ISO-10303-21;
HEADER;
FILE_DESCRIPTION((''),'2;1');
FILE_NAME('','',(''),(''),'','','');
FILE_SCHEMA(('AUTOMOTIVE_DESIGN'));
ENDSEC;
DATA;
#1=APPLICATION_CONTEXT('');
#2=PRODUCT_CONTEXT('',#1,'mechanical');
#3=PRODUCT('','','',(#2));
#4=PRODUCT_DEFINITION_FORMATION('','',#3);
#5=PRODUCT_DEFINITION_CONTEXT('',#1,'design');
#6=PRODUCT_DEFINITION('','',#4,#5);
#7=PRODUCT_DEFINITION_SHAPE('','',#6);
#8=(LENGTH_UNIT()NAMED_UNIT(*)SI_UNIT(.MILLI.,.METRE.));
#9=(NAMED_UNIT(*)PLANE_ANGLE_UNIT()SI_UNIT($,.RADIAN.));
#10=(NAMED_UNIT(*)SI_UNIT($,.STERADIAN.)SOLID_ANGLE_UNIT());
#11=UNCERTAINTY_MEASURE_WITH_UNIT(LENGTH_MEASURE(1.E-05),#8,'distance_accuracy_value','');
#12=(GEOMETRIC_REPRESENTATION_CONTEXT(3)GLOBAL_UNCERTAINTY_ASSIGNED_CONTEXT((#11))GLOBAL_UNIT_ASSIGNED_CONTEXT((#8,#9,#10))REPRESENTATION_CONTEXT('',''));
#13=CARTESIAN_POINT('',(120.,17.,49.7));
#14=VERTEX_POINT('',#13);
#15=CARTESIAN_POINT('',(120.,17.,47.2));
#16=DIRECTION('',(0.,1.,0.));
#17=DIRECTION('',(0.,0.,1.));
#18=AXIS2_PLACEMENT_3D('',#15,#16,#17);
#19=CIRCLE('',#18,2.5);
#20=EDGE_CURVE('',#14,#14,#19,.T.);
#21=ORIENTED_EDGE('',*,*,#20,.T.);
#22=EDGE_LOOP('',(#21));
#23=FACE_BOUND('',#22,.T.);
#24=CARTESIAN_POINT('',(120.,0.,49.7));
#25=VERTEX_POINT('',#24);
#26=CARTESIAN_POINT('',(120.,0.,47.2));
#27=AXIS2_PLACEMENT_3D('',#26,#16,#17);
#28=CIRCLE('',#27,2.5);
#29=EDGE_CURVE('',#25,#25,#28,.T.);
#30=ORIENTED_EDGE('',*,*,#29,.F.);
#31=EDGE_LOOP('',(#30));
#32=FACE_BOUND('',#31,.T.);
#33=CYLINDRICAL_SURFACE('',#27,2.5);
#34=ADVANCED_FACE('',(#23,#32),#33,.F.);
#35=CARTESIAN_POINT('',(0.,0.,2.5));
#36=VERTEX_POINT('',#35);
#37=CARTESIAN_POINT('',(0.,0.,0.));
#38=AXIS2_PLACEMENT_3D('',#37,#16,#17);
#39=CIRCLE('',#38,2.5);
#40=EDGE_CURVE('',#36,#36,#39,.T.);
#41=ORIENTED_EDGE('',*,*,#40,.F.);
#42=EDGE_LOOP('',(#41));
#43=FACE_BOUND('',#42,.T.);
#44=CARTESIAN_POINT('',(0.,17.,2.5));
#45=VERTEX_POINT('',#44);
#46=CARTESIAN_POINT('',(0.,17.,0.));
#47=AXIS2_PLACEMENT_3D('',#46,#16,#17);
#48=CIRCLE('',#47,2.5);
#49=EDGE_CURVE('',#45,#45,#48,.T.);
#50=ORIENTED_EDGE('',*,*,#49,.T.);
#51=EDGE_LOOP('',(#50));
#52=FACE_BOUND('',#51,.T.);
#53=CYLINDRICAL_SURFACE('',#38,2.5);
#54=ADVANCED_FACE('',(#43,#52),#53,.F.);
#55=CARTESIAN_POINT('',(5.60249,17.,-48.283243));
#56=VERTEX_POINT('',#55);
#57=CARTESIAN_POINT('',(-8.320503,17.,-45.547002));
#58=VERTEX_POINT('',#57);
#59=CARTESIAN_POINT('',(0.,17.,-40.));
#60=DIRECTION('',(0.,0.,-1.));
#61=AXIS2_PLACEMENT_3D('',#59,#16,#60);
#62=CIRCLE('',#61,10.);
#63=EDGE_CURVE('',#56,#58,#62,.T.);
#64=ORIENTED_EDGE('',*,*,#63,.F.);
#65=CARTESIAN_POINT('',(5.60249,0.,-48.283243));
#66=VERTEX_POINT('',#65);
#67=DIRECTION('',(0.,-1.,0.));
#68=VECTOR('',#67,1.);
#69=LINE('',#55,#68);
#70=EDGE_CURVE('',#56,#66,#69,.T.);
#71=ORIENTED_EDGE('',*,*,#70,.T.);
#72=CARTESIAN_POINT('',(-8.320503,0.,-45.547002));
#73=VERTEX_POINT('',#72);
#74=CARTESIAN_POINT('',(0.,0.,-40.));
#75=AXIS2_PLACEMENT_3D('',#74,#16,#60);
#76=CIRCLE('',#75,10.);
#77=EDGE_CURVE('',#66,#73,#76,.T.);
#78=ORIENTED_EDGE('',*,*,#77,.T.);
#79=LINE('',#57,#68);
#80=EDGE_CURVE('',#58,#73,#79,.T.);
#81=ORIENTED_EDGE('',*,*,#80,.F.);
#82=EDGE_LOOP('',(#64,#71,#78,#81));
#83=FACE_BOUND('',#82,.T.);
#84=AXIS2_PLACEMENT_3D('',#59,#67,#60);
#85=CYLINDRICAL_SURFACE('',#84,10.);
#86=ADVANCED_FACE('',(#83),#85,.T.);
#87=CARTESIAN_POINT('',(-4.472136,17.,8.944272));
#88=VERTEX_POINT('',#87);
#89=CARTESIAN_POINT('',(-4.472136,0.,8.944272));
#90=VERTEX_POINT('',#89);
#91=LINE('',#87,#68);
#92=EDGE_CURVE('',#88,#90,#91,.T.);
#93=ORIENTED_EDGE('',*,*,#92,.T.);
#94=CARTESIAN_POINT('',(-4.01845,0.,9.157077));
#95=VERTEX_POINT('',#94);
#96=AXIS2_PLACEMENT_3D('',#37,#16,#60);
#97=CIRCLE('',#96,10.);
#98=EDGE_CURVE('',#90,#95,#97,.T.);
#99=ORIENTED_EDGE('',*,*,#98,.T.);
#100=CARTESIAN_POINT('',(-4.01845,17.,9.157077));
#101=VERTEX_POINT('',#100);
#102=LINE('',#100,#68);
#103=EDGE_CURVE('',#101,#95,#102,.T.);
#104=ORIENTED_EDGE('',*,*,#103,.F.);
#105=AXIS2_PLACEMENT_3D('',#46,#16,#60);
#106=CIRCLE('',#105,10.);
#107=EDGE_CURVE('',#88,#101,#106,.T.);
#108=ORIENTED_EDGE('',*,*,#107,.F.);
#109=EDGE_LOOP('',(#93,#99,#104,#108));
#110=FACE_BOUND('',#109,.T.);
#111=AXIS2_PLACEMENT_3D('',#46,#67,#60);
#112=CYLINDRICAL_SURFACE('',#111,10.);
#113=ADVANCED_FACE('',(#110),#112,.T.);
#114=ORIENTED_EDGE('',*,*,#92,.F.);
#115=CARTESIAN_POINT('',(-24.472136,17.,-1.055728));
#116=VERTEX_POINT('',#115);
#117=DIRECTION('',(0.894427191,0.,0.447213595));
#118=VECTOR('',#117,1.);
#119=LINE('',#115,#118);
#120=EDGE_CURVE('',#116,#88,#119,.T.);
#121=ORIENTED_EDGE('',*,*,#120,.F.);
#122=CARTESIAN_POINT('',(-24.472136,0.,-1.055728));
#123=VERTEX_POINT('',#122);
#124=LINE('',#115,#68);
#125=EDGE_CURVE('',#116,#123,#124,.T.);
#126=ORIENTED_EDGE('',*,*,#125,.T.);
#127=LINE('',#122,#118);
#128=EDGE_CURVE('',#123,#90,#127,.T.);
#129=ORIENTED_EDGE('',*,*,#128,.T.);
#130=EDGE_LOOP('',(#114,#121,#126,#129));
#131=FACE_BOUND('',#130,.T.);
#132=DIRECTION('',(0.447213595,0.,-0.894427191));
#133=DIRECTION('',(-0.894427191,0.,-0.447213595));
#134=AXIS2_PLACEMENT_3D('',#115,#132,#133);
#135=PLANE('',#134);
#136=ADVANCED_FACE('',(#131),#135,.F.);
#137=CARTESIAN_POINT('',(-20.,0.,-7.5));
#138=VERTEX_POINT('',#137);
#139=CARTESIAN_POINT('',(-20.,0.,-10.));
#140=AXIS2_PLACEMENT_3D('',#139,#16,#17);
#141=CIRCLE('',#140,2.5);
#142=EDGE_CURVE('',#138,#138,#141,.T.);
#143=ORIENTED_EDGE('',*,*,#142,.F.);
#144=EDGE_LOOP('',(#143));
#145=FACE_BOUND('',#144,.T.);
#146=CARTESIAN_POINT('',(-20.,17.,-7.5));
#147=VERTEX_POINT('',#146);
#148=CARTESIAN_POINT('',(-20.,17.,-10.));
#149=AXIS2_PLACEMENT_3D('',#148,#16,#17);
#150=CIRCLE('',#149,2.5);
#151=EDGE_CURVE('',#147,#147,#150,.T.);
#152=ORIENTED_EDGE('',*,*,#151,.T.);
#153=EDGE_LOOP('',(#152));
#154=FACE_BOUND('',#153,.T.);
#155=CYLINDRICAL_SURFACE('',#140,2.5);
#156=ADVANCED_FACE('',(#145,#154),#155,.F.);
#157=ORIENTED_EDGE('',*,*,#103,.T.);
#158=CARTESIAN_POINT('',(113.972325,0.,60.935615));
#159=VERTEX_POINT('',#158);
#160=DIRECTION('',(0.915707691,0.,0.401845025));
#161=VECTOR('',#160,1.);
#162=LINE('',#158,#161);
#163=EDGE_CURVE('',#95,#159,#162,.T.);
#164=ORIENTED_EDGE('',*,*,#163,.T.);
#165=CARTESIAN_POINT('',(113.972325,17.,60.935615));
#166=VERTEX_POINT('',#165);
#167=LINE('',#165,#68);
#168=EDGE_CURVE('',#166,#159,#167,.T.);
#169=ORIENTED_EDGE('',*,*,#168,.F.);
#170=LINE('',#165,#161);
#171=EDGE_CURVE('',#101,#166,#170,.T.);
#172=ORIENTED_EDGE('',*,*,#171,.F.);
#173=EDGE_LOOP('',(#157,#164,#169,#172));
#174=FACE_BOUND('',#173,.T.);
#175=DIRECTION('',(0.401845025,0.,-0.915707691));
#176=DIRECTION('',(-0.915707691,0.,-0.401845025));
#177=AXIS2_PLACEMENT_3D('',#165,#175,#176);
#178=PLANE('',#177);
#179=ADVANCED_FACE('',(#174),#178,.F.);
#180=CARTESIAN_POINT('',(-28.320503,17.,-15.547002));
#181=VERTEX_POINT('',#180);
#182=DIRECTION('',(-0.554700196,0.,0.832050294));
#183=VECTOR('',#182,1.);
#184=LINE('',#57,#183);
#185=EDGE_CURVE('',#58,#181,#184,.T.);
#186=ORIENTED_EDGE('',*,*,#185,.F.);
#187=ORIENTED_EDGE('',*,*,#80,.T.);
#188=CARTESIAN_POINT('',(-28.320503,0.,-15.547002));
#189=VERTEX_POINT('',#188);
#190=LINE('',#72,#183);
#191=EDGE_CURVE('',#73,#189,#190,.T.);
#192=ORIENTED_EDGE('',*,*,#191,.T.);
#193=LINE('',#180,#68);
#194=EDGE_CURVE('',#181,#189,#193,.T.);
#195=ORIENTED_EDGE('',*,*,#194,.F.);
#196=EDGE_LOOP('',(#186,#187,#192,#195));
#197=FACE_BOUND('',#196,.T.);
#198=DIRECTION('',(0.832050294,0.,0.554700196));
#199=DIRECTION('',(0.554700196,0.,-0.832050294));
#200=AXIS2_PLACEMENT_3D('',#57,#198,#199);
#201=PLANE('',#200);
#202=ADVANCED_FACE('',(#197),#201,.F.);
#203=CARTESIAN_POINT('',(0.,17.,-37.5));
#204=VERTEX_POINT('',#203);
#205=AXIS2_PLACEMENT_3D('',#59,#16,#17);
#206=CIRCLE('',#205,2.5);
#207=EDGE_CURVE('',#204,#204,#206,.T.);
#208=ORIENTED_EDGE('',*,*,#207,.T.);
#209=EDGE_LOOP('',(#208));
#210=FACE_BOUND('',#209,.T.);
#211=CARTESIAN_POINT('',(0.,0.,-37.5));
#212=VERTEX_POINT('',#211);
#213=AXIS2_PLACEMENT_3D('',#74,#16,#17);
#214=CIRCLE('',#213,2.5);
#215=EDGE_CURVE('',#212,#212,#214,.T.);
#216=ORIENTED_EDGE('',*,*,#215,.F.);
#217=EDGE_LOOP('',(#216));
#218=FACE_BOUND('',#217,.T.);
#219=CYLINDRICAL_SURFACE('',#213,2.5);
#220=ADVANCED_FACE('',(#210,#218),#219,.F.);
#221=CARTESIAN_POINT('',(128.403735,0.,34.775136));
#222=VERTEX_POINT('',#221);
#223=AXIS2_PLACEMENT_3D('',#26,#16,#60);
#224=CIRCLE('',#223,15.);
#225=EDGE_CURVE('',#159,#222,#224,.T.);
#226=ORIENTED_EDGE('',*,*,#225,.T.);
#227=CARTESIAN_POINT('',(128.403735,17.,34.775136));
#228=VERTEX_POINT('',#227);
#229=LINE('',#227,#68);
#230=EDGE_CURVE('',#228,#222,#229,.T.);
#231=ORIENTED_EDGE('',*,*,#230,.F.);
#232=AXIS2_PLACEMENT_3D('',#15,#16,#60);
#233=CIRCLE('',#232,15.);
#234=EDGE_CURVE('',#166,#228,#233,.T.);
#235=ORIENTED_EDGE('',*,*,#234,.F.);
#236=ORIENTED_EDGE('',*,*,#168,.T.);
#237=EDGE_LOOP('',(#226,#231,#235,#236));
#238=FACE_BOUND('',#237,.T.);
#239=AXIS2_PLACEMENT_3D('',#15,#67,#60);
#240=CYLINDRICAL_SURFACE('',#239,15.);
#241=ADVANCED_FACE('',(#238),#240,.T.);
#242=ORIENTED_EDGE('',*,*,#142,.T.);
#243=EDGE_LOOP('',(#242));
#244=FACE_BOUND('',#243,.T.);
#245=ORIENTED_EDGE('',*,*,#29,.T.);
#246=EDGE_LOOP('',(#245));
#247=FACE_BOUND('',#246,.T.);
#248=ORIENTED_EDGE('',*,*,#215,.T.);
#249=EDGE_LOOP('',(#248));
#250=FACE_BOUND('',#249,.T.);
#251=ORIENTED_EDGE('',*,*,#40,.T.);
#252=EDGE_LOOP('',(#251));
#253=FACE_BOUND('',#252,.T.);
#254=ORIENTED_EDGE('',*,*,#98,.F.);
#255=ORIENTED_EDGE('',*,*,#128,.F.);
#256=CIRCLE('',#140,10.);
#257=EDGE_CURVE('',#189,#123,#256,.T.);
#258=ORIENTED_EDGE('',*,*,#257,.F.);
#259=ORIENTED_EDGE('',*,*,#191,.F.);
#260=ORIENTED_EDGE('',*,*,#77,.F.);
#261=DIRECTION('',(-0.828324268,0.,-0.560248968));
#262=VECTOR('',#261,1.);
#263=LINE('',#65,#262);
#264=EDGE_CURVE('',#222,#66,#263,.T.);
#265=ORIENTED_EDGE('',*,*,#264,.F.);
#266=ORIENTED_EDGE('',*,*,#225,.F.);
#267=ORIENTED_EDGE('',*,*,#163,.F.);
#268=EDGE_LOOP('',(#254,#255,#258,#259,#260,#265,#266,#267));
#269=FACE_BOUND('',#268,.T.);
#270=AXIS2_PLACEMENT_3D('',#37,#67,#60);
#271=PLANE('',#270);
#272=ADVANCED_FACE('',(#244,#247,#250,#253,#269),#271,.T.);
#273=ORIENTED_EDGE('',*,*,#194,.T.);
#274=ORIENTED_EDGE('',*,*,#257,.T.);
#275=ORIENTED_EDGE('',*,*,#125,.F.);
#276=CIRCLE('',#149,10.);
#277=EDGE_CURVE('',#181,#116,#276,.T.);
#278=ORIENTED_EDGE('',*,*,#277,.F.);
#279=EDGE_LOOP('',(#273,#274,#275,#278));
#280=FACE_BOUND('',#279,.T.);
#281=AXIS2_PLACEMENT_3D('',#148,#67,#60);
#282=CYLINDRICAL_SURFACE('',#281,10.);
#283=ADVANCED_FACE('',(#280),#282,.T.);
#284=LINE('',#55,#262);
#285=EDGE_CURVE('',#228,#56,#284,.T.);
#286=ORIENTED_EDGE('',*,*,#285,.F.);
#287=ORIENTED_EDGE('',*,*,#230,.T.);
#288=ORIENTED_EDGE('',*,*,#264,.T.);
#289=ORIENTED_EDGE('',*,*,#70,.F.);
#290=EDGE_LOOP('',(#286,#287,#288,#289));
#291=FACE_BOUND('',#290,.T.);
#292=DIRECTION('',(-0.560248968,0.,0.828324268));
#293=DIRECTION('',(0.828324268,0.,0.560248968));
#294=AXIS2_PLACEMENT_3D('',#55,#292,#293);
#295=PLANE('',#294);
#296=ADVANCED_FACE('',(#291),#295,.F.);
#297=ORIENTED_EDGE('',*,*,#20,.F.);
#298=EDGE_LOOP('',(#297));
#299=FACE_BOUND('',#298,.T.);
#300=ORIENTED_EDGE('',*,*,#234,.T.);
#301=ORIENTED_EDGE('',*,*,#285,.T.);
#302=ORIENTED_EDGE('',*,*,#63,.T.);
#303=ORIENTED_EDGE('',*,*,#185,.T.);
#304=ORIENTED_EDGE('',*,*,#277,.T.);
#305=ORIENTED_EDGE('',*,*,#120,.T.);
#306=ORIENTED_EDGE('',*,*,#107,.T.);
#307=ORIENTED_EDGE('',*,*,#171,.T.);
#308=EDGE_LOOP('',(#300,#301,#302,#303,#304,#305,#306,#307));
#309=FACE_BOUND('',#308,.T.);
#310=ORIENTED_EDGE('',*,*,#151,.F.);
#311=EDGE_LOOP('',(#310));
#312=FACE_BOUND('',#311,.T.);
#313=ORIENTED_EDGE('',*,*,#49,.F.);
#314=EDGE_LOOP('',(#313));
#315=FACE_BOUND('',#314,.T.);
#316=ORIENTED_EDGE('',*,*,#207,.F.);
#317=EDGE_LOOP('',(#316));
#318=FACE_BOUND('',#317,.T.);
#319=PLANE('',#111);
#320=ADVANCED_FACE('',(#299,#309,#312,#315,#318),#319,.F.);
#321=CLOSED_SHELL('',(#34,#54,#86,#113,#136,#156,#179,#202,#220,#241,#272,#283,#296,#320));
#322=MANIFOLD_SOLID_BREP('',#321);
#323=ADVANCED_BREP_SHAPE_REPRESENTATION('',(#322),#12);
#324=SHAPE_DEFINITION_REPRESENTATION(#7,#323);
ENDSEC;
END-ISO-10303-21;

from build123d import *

# Parameters (mm, degrees)
BOSS_EXTRUDE1_DEPTH = 17
SKETCH2_R           = 2.5
CUT_EXTRUDE1_DEPTH  = 150.608956951


with BuildPart() as part:
    # Sketch1 → Boss-Extrude1 (new body)
    with BuildSketch(Plane(origin=(0, 0, 0), x_dir=(1, 0, 0), z_dir=(0, 1, 0))):
        with BuildLine():
            Line((5.602489683, 48.283242683), (128.403734525, -34.775135975))
            ThreePointArc((128.403734525, -34.775135975), (133.134081041, -54.445406491), (113.972324622, -60.935615368))
            Line((113.972324622, -60.935615368), (-4.018450252, -9.157076912))
            ThreePointArc((-4.018450252, -9.157076912), (-4.246626311, -9.053516719), (-4.472135955, -8.94427191))
            Line((-4.472135955, -8.94427191), (-24.472135955, 1.05572809))
            ThreePointArc((-24.472135955, 1.05572809), (-29.664996488, 7.433320648), (-28.320502943, 15.547001962))
            Line((-28.320502943, 15.547001962), (-8.320502943, 45.547001962))
            ThreePointArc((-8.320502943, 45.547001962), (-1.928380756, 49.81230593), (5.602489683, 48.283242683))
        make_face()
    extrude(amount=BOSS_EXTRUDE1_DEPTH)

    # Sketch2 → Cut-Extrude1 (cut, through all)
    with BuildSketch(Plane(origin=(0, 17, 0), x_dir=(1, 0, 0), z_dir=(0, 1, 0))):
        with Locations(Location((0, 40, 0), (0, 0, 270))):
            Circle(SKETCH2_R)
        with Locations(Location((0, 0, 0), (0, 0, 270))):
            Circle(SKETCH2_R)
        with Locations(Location((120, -47.2, 0), (0, 0, 270))):
            Circle(SKETCH2_R)
        with Locations(Location((-20, 10, 0), (0, 0, 270))):
            Circle(SKETCH2_R)
    extrude(amount=-CUT_EXTRUDE1_DEPTH, mode=Mode.SUBTRACT)


solid = part.part
